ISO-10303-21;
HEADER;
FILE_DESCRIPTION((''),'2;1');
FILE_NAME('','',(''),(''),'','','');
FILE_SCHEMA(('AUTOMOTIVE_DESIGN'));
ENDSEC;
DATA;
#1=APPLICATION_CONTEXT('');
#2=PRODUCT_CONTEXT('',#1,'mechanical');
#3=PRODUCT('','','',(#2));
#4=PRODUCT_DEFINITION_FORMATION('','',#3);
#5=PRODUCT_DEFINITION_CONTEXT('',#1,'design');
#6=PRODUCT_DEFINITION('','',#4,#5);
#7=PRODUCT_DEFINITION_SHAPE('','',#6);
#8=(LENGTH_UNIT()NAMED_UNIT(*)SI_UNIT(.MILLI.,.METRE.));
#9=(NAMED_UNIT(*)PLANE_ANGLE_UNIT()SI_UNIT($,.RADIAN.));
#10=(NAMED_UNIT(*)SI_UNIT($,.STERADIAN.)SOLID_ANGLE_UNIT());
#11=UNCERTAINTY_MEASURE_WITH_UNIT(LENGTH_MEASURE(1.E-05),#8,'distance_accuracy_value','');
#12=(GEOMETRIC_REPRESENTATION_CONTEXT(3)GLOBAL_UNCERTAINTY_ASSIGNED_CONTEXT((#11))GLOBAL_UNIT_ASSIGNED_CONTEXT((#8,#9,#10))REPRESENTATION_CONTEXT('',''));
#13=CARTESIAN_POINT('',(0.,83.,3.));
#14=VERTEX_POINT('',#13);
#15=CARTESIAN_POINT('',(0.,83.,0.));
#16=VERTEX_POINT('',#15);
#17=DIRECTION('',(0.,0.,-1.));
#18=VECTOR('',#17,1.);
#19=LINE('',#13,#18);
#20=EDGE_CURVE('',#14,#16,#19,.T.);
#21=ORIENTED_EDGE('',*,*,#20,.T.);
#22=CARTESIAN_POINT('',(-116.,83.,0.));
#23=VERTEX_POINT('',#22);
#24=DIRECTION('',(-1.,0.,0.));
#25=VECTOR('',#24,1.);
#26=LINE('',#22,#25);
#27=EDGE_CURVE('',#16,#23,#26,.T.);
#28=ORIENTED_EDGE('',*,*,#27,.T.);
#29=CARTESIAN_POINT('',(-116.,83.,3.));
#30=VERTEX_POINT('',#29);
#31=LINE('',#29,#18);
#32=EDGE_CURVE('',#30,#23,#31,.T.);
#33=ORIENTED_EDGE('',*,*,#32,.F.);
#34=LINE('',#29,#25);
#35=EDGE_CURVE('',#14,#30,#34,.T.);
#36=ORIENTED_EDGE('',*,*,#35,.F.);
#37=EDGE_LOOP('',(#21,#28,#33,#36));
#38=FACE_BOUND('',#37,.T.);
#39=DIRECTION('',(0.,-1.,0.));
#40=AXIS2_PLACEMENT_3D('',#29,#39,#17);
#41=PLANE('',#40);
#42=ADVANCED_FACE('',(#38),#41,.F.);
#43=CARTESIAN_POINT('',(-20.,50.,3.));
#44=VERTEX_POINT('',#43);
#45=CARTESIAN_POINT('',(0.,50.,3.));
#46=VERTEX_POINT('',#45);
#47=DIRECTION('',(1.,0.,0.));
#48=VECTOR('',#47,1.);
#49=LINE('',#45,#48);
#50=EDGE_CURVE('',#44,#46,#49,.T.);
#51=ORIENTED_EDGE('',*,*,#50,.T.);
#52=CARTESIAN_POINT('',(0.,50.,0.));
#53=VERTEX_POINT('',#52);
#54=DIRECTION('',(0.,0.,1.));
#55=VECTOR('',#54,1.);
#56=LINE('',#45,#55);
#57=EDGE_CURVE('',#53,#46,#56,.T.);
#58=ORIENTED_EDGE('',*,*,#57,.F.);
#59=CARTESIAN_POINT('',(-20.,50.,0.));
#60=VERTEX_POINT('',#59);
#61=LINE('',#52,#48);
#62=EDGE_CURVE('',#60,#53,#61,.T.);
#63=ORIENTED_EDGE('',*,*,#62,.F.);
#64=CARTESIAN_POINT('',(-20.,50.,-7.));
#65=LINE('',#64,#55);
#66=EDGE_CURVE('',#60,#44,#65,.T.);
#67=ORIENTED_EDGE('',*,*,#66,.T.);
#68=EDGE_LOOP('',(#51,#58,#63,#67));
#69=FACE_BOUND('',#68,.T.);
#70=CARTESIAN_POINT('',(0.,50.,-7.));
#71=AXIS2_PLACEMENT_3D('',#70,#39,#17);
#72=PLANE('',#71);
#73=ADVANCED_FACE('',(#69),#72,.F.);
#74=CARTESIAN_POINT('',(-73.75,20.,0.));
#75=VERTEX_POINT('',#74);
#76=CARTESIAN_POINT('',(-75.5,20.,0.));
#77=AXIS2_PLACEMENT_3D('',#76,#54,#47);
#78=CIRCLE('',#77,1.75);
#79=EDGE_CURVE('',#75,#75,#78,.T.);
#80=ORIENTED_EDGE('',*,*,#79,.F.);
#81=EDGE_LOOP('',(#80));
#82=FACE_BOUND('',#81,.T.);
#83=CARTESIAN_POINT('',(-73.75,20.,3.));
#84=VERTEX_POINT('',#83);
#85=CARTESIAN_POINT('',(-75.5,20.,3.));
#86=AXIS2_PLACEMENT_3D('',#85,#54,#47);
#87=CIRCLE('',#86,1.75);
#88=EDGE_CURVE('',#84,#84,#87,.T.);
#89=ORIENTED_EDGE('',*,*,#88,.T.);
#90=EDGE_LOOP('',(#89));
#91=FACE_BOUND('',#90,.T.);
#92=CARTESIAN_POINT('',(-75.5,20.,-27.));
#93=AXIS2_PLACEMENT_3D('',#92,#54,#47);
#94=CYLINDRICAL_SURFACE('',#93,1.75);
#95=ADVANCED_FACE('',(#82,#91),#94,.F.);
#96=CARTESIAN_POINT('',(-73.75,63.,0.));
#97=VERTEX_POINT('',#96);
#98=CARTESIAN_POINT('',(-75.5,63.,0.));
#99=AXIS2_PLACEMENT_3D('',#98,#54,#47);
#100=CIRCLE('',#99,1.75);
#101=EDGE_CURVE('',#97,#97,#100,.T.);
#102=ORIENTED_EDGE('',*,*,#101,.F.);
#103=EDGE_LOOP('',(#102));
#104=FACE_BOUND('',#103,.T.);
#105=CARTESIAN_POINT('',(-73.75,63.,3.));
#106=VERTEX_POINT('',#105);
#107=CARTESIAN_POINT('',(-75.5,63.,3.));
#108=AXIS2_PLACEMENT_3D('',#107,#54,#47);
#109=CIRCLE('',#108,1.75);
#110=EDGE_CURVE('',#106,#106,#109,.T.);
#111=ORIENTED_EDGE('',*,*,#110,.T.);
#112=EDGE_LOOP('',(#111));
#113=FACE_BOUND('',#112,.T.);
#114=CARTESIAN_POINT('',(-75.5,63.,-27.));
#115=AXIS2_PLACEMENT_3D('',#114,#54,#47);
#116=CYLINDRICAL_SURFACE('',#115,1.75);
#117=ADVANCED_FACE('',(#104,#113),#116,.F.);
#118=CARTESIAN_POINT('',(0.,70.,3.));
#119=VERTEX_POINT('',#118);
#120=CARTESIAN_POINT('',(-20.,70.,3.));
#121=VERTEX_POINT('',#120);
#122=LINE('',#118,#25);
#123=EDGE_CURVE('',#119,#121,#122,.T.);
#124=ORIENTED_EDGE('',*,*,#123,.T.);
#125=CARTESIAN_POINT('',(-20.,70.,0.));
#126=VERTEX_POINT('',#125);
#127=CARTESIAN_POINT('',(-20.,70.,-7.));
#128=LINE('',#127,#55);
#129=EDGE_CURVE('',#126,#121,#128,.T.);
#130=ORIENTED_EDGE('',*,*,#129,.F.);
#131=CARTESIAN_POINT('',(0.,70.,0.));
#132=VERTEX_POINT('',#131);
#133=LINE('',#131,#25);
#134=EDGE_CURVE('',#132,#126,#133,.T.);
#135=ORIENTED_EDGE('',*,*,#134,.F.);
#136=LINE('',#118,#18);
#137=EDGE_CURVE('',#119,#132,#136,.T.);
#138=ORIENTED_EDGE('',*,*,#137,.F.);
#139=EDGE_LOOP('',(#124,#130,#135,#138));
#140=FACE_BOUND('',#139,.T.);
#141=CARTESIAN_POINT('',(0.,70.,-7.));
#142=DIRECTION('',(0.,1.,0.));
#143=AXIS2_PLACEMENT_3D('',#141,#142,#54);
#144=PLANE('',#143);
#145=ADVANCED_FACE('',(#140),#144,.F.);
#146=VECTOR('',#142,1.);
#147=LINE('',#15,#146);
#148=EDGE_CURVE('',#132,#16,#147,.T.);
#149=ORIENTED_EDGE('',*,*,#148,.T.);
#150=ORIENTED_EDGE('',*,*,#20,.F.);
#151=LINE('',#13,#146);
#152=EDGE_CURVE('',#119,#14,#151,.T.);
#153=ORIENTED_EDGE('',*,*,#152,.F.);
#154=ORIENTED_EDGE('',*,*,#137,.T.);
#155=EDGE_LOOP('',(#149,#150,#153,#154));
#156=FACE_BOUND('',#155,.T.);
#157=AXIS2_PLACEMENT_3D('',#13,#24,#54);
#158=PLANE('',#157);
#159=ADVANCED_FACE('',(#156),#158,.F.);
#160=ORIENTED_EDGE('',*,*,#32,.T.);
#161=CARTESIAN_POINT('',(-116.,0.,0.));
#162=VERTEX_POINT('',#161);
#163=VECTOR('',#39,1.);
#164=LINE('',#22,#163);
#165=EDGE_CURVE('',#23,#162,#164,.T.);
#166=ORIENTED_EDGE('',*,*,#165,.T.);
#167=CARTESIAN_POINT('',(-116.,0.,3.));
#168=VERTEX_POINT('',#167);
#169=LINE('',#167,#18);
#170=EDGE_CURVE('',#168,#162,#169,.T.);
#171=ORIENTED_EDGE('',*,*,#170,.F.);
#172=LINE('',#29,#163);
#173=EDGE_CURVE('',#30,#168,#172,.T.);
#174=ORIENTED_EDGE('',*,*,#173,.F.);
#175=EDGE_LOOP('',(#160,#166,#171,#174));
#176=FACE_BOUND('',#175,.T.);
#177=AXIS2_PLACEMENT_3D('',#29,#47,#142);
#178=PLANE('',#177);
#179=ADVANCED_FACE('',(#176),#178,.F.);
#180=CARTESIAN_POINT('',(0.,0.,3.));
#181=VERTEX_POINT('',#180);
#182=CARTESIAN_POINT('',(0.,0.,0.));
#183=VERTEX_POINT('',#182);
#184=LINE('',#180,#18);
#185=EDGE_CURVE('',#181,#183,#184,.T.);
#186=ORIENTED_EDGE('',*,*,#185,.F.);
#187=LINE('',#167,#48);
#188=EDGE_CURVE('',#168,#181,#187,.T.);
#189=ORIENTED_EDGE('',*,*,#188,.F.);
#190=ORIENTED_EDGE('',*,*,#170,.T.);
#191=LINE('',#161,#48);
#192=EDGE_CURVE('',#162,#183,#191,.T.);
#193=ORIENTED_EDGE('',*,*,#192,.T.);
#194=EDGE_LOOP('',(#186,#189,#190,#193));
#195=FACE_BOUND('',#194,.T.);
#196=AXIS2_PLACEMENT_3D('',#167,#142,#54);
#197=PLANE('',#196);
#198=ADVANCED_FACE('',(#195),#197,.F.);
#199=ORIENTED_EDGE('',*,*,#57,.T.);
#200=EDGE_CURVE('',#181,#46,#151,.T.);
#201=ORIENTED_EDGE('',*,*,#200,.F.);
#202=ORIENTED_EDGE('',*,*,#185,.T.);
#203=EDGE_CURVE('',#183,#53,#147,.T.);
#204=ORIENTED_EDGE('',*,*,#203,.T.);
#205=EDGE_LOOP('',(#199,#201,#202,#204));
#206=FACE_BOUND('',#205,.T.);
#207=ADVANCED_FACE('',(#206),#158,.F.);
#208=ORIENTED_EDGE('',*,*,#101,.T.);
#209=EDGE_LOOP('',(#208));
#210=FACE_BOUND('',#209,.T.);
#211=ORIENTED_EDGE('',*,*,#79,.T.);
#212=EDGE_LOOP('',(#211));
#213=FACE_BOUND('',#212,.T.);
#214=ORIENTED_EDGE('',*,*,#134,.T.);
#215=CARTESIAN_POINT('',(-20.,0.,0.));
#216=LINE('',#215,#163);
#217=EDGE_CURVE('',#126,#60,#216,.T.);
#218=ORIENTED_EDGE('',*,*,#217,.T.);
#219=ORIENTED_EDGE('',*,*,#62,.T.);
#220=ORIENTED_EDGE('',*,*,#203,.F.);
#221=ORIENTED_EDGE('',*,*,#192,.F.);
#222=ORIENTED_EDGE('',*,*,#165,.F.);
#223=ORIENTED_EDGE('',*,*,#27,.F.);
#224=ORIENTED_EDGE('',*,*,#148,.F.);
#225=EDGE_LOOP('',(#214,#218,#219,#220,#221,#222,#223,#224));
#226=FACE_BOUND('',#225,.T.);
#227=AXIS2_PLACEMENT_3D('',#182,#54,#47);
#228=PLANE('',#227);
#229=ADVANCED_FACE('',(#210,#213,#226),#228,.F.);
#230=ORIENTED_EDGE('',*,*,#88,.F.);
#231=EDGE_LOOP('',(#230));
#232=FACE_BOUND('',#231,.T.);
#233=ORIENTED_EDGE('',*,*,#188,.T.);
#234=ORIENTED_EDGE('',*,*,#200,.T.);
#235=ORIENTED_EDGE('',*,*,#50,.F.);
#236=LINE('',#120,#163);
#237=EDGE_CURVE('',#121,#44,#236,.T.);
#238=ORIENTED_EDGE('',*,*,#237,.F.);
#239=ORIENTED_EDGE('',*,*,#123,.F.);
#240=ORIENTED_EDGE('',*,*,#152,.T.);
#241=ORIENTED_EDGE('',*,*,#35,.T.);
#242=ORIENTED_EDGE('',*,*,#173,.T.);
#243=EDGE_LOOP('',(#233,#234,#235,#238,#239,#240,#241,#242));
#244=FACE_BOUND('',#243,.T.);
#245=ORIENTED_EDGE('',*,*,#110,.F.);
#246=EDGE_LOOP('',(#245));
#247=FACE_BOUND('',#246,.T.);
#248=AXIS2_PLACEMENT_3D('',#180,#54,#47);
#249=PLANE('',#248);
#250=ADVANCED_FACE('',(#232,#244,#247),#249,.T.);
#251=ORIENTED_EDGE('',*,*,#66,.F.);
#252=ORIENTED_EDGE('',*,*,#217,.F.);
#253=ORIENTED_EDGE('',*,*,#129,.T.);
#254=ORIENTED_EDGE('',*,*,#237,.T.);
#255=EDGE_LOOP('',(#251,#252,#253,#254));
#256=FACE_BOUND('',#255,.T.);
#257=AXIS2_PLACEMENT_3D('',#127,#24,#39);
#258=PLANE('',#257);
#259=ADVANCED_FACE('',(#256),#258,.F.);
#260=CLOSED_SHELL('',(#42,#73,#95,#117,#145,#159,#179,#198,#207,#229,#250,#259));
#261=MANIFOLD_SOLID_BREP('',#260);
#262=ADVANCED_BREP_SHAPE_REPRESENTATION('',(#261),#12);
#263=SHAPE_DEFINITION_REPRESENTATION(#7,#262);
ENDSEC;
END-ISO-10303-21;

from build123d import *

# Parameters (mm, degrees)
SKETCH1_W           = 116
SKETCH1_H           = 83
SKETCH1_W_2         = 70
SKETCH1_H_2         = 77
SKETCH1_W_3         = 35
BOSS_EXTRUDE1_DEPTH = 3
SKETCH2_W           = 70
SKETCH2_H           = 77
SKETCH2_W_2         = 35
BOSS_EXTRUDE2_DEPTH = 3
SKETCH6_R           = 1.75
CUT_EXTRUDE4_DEPTH  = 30
SKETCH8_W           = 20
SKETCH8_H           = 20
CUT_EXTRUDE6_DEPTH  = 10


with BuildPart() as part:
    # Sketch1 → Boss-Extrude1 (new body)
    with BuildSketch(Plane.XY):
        with Locations((-58, 41.5)):
            Rectangle(SKETCH1_W, SKETCH1_H)
        with Locations((-38, 41.5)):
            Rectangle(SKETCH1_W_2, SKETCH1_H_2, mode=Mode.SUBTRACT)
        with Locations((-95.5, 41.5)):
            Rectangle(SKETCH1_W_3, SKETCH1_H_2, mode=Mode.SUBTRACT)
    extrude(amount=BOSS_EXTRUDE1_DEPTH)

    # Sketch2 → Boss-Extrude2 (add)
    with BuildSketch(Plane(origin=(0, 0, 0), x_dir=(-1, 0, 0), z_dir=(0, 0, -1))):
        with Locations((38, 41.5)):
            Rectangle(SKETCH2_W, SKETCH2_H)
        with Locations((95.5, 41.5)):
            Rectangle(SKETCH2_W_2, SKETCH2_H)
    extrude(amount=-BOSS_EXTRUDE2_DEPTH)

    # Sketch6 → Cut-Extrude4 (cut)
    with BuildSketch(Plane.XY.offset(3)):
        with Locations((-75.5, 63)):
            Circle(SKETCH6_R)
        with Locations((-75.5, 20)):
            Circle(SKETCH6_R)
    extrude(amount=-CUT_EXTRUDE4_DEPTH, mode=Mode.SUBTRACT)

    # Sketch8 → Cut-Extrude6 (cut)
    with BuildSketch(Plane.XY.offset(3)):
        with Locations((-10, 60)):
            Rectangle(SKETCH8_W, SKETCH8_H)
    extrude(amount=-CUT_EXTRUDE6_DEPTH, mode=Mode.SUBTRACT)


solid = part.part
